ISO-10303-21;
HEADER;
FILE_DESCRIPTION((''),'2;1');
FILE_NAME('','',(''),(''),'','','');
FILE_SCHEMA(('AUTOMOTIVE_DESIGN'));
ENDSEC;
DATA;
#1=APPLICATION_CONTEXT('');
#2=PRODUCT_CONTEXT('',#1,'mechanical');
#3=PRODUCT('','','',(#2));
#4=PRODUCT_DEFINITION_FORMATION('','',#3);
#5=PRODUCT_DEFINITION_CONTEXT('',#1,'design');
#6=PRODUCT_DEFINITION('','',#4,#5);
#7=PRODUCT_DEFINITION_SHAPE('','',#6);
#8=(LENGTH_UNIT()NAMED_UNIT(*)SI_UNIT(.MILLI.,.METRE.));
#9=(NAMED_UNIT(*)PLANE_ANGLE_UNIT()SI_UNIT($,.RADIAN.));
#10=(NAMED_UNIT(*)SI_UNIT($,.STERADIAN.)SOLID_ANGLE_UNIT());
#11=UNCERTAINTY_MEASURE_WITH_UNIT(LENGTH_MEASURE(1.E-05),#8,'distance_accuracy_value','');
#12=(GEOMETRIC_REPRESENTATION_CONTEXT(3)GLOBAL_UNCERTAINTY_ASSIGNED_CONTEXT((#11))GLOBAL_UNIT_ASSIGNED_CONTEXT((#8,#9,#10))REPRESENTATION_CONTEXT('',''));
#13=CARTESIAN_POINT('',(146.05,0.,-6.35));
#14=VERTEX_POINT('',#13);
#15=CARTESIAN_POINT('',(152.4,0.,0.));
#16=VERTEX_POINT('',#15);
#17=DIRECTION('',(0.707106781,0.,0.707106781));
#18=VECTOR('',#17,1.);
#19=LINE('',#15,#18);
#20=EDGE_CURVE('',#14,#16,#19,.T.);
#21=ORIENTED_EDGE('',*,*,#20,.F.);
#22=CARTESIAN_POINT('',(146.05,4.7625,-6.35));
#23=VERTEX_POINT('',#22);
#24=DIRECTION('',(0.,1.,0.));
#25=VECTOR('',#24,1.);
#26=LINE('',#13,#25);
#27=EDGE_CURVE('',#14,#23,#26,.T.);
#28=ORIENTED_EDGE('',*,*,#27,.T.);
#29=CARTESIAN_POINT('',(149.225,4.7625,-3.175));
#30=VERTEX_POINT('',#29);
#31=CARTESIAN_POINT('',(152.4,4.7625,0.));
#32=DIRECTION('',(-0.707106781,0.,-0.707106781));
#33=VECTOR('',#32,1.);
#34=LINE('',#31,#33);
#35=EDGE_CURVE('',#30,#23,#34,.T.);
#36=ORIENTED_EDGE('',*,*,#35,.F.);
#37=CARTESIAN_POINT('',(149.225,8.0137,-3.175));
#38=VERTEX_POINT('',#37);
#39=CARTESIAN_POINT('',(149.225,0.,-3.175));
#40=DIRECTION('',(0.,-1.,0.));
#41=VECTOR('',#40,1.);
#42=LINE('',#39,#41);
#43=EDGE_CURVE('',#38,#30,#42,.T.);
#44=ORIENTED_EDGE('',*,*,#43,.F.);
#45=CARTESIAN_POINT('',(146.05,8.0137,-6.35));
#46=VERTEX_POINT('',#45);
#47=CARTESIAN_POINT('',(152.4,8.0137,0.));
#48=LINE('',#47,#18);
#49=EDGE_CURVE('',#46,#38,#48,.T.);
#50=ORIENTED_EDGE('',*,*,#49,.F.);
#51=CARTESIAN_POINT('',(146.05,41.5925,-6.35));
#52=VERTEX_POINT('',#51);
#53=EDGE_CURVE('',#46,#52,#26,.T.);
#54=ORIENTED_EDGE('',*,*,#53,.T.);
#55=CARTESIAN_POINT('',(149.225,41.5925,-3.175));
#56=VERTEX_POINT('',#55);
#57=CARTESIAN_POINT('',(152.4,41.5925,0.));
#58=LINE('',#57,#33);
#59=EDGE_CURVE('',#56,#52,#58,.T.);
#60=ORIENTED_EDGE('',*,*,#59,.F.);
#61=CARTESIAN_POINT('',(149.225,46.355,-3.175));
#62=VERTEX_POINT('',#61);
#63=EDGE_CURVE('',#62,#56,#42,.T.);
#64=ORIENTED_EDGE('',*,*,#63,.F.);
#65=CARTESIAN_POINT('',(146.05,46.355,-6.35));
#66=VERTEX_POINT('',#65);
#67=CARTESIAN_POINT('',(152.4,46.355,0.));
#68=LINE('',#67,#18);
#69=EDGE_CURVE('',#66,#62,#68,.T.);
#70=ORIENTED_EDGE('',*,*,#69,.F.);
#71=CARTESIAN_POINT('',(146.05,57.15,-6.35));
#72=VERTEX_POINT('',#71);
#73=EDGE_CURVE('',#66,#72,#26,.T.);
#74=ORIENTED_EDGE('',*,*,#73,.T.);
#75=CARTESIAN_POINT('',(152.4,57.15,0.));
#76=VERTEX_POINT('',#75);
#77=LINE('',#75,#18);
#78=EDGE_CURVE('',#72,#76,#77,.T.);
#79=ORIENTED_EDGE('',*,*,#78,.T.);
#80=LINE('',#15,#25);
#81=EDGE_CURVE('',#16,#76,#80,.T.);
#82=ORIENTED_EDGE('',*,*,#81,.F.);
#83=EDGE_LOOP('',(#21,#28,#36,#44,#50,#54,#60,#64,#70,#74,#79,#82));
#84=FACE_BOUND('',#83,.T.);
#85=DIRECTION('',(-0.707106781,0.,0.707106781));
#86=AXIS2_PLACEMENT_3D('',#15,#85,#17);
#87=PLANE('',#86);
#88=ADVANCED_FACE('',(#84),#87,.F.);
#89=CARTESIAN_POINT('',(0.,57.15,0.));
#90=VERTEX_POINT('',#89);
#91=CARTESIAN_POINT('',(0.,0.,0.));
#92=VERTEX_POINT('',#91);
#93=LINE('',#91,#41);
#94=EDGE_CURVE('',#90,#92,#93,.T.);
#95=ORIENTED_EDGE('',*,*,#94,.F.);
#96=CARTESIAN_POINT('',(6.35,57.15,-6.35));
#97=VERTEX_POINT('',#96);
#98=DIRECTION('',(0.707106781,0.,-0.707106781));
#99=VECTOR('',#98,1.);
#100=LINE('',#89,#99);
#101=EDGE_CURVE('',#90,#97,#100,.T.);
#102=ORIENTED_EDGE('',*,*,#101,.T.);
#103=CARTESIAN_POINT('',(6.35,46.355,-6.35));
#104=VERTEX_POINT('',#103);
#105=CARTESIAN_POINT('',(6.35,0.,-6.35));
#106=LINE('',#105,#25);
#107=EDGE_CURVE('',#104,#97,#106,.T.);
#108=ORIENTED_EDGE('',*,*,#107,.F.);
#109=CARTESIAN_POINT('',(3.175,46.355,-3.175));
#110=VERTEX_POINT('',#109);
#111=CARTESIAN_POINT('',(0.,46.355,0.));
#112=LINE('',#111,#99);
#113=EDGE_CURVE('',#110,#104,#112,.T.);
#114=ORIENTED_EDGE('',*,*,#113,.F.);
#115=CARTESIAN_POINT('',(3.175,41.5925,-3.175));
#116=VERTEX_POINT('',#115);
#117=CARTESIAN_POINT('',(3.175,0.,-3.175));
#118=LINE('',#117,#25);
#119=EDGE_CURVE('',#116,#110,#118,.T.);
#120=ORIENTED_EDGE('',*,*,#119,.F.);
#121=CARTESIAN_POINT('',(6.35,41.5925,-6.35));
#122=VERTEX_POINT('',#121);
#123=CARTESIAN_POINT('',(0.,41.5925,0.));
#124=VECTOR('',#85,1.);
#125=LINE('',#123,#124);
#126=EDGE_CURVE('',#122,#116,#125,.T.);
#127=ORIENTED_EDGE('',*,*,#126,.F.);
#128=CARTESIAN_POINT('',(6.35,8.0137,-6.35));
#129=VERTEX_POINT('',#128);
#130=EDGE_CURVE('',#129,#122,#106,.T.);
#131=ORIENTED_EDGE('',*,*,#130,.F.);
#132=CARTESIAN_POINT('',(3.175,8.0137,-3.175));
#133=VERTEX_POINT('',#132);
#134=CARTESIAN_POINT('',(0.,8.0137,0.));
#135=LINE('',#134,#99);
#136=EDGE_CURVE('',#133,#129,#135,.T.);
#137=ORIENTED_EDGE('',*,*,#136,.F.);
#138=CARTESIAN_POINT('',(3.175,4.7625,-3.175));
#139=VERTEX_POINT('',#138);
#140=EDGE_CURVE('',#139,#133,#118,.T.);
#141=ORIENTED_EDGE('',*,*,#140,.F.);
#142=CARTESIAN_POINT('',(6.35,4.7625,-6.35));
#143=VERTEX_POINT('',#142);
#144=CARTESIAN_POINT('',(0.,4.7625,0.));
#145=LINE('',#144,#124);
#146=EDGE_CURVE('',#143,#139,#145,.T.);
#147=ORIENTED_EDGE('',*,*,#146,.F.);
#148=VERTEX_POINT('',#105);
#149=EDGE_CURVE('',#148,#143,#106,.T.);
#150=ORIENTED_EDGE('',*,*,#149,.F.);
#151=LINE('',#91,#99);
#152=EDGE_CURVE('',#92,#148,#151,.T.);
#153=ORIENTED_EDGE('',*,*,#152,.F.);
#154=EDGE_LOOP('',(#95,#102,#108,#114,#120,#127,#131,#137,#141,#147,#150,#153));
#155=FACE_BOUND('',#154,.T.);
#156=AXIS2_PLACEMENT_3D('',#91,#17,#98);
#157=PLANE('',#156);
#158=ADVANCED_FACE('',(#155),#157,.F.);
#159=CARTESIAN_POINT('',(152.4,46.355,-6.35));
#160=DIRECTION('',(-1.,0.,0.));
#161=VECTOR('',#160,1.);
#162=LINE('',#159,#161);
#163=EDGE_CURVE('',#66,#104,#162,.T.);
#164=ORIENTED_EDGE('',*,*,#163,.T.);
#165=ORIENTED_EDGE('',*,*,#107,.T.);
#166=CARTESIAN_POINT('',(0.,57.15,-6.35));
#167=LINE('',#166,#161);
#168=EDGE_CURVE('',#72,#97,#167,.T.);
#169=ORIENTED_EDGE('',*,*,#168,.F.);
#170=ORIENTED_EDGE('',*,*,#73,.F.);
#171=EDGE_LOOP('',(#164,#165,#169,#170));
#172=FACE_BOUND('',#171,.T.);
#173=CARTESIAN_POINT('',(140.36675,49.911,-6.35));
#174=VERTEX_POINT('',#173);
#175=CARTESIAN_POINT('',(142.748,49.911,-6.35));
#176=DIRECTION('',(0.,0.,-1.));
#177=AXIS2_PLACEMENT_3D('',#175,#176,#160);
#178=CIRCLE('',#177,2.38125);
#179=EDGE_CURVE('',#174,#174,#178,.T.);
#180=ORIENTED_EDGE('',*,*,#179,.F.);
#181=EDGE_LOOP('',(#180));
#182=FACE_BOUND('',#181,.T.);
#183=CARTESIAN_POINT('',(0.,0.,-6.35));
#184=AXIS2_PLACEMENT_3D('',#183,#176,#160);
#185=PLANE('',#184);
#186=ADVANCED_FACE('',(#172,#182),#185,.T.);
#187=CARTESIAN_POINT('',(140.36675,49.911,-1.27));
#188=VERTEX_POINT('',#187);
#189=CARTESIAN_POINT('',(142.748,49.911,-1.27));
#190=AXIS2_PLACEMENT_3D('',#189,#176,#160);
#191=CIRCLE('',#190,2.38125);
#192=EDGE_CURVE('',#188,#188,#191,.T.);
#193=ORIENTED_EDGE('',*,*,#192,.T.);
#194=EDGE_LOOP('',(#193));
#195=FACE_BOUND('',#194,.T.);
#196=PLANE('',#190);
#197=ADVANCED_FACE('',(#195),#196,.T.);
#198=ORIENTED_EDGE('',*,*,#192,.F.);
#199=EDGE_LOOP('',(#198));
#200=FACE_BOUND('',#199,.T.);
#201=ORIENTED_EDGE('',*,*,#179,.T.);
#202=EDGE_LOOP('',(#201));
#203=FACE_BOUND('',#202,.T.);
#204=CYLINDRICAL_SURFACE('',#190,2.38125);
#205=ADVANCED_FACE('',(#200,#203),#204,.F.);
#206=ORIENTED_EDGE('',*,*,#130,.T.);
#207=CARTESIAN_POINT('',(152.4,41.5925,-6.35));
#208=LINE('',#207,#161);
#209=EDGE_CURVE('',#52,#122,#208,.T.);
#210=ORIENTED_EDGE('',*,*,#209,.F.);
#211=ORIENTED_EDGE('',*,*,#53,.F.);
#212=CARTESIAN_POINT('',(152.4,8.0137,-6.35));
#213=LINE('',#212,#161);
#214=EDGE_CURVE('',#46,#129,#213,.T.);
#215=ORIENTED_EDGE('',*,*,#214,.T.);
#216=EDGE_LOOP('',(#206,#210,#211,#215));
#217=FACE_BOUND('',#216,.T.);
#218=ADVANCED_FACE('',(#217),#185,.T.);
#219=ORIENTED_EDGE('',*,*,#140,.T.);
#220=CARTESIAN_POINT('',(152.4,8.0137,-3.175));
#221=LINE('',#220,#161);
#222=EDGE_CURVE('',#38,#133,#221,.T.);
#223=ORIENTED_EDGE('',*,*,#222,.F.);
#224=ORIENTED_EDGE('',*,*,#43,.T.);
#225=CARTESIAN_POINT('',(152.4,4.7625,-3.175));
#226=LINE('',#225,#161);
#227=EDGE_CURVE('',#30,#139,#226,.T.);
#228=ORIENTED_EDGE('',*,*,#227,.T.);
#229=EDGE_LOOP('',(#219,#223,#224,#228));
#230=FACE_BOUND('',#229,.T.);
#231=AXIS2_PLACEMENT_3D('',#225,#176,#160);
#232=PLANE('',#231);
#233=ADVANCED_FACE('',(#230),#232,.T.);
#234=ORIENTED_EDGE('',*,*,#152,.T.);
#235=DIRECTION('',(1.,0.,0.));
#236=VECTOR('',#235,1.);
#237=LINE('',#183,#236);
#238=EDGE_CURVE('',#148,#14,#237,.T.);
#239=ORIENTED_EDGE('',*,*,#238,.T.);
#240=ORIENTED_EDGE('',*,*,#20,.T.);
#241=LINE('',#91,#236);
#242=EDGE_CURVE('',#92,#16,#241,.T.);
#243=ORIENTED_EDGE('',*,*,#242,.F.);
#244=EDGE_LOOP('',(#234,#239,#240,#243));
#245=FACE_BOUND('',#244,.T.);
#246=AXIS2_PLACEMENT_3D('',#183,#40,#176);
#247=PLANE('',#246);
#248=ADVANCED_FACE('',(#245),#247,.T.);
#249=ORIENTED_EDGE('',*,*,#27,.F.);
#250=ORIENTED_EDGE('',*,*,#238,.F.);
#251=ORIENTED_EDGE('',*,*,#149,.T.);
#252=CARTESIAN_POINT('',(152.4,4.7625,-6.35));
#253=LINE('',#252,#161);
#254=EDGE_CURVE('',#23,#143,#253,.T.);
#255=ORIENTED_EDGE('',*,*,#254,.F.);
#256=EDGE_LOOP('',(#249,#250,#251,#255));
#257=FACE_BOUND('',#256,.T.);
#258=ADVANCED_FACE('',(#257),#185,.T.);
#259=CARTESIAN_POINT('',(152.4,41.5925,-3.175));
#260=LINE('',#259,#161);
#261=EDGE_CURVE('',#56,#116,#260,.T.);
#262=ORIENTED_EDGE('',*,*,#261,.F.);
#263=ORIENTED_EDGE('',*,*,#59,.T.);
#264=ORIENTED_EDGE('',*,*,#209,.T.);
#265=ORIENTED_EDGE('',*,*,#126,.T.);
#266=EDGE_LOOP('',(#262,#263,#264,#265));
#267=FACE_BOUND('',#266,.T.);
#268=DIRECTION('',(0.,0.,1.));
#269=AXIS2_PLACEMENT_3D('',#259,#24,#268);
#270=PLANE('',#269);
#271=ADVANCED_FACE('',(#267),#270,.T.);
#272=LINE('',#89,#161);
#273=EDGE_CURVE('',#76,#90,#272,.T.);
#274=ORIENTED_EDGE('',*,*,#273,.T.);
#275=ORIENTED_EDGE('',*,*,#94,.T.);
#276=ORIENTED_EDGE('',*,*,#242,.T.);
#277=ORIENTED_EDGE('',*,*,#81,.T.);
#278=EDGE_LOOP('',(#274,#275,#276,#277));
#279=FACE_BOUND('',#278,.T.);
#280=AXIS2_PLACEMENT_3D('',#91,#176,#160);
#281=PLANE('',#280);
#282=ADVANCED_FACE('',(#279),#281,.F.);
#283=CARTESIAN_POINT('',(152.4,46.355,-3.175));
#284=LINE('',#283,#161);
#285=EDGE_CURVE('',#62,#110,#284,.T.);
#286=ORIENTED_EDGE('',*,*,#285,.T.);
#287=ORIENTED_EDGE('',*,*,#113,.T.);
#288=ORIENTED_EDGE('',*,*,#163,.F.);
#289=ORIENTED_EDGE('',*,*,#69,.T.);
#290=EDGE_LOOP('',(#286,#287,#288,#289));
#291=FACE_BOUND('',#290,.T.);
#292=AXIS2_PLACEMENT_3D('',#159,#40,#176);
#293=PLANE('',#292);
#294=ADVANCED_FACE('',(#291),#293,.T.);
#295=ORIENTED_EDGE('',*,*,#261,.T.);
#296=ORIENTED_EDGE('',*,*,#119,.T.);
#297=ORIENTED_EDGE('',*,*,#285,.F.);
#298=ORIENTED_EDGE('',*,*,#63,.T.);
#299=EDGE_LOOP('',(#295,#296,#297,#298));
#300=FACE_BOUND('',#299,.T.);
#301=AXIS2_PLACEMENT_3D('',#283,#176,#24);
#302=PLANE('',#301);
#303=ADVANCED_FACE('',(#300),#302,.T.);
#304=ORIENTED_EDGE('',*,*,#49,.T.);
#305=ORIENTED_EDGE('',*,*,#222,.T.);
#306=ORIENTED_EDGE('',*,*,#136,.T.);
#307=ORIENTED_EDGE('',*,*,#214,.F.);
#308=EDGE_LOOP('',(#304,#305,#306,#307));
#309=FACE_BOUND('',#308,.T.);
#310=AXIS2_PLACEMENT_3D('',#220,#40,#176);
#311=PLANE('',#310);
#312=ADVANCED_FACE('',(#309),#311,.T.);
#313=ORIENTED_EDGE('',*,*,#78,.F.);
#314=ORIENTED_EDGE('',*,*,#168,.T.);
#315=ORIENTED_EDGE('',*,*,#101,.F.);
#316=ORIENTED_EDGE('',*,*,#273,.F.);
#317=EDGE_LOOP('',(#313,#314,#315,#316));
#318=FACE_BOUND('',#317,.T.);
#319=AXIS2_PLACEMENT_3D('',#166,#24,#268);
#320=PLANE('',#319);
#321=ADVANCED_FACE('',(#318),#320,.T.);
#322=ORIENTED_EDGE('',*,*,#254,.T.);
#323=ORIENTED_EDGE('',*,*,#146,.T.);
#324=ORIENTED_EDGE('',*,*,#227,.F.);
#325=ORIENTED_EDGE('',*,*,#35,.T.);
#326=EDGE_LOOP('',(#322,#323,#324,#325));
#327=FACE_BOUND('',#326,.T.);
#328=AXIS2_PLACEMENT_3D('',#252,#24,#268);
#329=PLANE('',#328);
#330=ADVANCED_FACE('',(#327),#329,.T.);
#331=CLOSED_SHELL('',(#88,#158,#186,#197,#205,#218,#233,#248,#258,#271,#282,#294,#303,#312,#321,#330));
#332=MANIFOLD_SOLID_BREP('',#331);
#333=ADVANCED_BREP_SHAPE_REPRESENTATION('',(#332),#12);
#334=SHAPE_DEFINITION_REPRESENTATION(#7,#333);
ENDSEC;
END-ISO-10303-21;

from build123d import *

# Parameters (mm, degrees)
SKETCH1_W           = 152.4
SKETCH1_H           = 57.15
BOSS_EXTRUDE1_DEPTH = 6.35
CUT_EXTRUDE2_DEPTH  = 58.15
SKETCH4_W           = 3.175
SKETCH4_H           = 4.7625
CUT_EXTRUDE3_DEPTH  = 153.4
SKETCH5_W           = 3.175
SKETCH5_H           = 3.2512
CUT_EXTRUDE4_DEPTH  = 153.4
SKETCH6_R           = 2.38125
CUT_EXTRUDE5_DEPTH  = 5.08


with BuildPart() as part:
    # Sketch1 → Boss-Extrude1 (new body)
    with BuildSketch(Plane.XY):
        with Locations((76.2, 28.575)):
            Rectangle(SKETCH1_W, SKETCH1_H)
    extrude(amount=-BOSS_EXTRUDE1_DEPTH)

    # Sketch3 → Cut-Extrude2 (cut, through all)
    with BuildSketch(Plane(origin=(0, 57.15, 0), x_dir=(1, 0, 0), z_dir=(0, 1, 0))):
        Polygon((152.4, 0), (146.05, 6.35), (152.4, 6.35), align=None)
        Polygon((0, 0), (6.35, 6.35), (0, 6.35), align=None)
    extrude(amount=-CUT_EXTRUDE2_DEPTH, mode=Mode.SUBTRACT)

    # Sketch4 → Cut-Extrude3 (cut, through all)
    with BuildSketch(Plane(origin=(0, 0, 0), x_dir=(0, 0, -1), z_dir=(1, 0, 0))):
        with Locations((4.7625, 43.97375)):
            Rectangle(SKETCH4_W, SKETCH4_H)
    extrude(amount=CUT_EXTRUDE3_DEPTH, mode=Mode.SUBTRACT)

    # Sketch5 → Cut-Extrude4 (cut, through all)
    with BuildSketch(Plane(origin=(0, 0, 0), x_dir=(0, 0, -1), z_dir=(1, 0, 0))):
        with Locations((4.7625, 6.3881)):
            Rectangle(SKETCH5_W, SKETCH5_H)
    extrude(amount=CUT_EXTRUDE4_DEPTH, mode=Mode.SUBTRACT)

    # Sketch6 → Cut-Extrude5 (cut)
    with BuildSketch(Plane(origin=(0, 0, -6.35), x_dir=(-1, 0, 0), z_dir=(0, 0, -1))):
        with Locations((-142.748, 49.911)):
            Circle(SKETCH6_R)
    extrude(amount=-CUT_EXTRUDE5_DEPTH, mode=Mode.SUBTRACT)


solid = part.part
